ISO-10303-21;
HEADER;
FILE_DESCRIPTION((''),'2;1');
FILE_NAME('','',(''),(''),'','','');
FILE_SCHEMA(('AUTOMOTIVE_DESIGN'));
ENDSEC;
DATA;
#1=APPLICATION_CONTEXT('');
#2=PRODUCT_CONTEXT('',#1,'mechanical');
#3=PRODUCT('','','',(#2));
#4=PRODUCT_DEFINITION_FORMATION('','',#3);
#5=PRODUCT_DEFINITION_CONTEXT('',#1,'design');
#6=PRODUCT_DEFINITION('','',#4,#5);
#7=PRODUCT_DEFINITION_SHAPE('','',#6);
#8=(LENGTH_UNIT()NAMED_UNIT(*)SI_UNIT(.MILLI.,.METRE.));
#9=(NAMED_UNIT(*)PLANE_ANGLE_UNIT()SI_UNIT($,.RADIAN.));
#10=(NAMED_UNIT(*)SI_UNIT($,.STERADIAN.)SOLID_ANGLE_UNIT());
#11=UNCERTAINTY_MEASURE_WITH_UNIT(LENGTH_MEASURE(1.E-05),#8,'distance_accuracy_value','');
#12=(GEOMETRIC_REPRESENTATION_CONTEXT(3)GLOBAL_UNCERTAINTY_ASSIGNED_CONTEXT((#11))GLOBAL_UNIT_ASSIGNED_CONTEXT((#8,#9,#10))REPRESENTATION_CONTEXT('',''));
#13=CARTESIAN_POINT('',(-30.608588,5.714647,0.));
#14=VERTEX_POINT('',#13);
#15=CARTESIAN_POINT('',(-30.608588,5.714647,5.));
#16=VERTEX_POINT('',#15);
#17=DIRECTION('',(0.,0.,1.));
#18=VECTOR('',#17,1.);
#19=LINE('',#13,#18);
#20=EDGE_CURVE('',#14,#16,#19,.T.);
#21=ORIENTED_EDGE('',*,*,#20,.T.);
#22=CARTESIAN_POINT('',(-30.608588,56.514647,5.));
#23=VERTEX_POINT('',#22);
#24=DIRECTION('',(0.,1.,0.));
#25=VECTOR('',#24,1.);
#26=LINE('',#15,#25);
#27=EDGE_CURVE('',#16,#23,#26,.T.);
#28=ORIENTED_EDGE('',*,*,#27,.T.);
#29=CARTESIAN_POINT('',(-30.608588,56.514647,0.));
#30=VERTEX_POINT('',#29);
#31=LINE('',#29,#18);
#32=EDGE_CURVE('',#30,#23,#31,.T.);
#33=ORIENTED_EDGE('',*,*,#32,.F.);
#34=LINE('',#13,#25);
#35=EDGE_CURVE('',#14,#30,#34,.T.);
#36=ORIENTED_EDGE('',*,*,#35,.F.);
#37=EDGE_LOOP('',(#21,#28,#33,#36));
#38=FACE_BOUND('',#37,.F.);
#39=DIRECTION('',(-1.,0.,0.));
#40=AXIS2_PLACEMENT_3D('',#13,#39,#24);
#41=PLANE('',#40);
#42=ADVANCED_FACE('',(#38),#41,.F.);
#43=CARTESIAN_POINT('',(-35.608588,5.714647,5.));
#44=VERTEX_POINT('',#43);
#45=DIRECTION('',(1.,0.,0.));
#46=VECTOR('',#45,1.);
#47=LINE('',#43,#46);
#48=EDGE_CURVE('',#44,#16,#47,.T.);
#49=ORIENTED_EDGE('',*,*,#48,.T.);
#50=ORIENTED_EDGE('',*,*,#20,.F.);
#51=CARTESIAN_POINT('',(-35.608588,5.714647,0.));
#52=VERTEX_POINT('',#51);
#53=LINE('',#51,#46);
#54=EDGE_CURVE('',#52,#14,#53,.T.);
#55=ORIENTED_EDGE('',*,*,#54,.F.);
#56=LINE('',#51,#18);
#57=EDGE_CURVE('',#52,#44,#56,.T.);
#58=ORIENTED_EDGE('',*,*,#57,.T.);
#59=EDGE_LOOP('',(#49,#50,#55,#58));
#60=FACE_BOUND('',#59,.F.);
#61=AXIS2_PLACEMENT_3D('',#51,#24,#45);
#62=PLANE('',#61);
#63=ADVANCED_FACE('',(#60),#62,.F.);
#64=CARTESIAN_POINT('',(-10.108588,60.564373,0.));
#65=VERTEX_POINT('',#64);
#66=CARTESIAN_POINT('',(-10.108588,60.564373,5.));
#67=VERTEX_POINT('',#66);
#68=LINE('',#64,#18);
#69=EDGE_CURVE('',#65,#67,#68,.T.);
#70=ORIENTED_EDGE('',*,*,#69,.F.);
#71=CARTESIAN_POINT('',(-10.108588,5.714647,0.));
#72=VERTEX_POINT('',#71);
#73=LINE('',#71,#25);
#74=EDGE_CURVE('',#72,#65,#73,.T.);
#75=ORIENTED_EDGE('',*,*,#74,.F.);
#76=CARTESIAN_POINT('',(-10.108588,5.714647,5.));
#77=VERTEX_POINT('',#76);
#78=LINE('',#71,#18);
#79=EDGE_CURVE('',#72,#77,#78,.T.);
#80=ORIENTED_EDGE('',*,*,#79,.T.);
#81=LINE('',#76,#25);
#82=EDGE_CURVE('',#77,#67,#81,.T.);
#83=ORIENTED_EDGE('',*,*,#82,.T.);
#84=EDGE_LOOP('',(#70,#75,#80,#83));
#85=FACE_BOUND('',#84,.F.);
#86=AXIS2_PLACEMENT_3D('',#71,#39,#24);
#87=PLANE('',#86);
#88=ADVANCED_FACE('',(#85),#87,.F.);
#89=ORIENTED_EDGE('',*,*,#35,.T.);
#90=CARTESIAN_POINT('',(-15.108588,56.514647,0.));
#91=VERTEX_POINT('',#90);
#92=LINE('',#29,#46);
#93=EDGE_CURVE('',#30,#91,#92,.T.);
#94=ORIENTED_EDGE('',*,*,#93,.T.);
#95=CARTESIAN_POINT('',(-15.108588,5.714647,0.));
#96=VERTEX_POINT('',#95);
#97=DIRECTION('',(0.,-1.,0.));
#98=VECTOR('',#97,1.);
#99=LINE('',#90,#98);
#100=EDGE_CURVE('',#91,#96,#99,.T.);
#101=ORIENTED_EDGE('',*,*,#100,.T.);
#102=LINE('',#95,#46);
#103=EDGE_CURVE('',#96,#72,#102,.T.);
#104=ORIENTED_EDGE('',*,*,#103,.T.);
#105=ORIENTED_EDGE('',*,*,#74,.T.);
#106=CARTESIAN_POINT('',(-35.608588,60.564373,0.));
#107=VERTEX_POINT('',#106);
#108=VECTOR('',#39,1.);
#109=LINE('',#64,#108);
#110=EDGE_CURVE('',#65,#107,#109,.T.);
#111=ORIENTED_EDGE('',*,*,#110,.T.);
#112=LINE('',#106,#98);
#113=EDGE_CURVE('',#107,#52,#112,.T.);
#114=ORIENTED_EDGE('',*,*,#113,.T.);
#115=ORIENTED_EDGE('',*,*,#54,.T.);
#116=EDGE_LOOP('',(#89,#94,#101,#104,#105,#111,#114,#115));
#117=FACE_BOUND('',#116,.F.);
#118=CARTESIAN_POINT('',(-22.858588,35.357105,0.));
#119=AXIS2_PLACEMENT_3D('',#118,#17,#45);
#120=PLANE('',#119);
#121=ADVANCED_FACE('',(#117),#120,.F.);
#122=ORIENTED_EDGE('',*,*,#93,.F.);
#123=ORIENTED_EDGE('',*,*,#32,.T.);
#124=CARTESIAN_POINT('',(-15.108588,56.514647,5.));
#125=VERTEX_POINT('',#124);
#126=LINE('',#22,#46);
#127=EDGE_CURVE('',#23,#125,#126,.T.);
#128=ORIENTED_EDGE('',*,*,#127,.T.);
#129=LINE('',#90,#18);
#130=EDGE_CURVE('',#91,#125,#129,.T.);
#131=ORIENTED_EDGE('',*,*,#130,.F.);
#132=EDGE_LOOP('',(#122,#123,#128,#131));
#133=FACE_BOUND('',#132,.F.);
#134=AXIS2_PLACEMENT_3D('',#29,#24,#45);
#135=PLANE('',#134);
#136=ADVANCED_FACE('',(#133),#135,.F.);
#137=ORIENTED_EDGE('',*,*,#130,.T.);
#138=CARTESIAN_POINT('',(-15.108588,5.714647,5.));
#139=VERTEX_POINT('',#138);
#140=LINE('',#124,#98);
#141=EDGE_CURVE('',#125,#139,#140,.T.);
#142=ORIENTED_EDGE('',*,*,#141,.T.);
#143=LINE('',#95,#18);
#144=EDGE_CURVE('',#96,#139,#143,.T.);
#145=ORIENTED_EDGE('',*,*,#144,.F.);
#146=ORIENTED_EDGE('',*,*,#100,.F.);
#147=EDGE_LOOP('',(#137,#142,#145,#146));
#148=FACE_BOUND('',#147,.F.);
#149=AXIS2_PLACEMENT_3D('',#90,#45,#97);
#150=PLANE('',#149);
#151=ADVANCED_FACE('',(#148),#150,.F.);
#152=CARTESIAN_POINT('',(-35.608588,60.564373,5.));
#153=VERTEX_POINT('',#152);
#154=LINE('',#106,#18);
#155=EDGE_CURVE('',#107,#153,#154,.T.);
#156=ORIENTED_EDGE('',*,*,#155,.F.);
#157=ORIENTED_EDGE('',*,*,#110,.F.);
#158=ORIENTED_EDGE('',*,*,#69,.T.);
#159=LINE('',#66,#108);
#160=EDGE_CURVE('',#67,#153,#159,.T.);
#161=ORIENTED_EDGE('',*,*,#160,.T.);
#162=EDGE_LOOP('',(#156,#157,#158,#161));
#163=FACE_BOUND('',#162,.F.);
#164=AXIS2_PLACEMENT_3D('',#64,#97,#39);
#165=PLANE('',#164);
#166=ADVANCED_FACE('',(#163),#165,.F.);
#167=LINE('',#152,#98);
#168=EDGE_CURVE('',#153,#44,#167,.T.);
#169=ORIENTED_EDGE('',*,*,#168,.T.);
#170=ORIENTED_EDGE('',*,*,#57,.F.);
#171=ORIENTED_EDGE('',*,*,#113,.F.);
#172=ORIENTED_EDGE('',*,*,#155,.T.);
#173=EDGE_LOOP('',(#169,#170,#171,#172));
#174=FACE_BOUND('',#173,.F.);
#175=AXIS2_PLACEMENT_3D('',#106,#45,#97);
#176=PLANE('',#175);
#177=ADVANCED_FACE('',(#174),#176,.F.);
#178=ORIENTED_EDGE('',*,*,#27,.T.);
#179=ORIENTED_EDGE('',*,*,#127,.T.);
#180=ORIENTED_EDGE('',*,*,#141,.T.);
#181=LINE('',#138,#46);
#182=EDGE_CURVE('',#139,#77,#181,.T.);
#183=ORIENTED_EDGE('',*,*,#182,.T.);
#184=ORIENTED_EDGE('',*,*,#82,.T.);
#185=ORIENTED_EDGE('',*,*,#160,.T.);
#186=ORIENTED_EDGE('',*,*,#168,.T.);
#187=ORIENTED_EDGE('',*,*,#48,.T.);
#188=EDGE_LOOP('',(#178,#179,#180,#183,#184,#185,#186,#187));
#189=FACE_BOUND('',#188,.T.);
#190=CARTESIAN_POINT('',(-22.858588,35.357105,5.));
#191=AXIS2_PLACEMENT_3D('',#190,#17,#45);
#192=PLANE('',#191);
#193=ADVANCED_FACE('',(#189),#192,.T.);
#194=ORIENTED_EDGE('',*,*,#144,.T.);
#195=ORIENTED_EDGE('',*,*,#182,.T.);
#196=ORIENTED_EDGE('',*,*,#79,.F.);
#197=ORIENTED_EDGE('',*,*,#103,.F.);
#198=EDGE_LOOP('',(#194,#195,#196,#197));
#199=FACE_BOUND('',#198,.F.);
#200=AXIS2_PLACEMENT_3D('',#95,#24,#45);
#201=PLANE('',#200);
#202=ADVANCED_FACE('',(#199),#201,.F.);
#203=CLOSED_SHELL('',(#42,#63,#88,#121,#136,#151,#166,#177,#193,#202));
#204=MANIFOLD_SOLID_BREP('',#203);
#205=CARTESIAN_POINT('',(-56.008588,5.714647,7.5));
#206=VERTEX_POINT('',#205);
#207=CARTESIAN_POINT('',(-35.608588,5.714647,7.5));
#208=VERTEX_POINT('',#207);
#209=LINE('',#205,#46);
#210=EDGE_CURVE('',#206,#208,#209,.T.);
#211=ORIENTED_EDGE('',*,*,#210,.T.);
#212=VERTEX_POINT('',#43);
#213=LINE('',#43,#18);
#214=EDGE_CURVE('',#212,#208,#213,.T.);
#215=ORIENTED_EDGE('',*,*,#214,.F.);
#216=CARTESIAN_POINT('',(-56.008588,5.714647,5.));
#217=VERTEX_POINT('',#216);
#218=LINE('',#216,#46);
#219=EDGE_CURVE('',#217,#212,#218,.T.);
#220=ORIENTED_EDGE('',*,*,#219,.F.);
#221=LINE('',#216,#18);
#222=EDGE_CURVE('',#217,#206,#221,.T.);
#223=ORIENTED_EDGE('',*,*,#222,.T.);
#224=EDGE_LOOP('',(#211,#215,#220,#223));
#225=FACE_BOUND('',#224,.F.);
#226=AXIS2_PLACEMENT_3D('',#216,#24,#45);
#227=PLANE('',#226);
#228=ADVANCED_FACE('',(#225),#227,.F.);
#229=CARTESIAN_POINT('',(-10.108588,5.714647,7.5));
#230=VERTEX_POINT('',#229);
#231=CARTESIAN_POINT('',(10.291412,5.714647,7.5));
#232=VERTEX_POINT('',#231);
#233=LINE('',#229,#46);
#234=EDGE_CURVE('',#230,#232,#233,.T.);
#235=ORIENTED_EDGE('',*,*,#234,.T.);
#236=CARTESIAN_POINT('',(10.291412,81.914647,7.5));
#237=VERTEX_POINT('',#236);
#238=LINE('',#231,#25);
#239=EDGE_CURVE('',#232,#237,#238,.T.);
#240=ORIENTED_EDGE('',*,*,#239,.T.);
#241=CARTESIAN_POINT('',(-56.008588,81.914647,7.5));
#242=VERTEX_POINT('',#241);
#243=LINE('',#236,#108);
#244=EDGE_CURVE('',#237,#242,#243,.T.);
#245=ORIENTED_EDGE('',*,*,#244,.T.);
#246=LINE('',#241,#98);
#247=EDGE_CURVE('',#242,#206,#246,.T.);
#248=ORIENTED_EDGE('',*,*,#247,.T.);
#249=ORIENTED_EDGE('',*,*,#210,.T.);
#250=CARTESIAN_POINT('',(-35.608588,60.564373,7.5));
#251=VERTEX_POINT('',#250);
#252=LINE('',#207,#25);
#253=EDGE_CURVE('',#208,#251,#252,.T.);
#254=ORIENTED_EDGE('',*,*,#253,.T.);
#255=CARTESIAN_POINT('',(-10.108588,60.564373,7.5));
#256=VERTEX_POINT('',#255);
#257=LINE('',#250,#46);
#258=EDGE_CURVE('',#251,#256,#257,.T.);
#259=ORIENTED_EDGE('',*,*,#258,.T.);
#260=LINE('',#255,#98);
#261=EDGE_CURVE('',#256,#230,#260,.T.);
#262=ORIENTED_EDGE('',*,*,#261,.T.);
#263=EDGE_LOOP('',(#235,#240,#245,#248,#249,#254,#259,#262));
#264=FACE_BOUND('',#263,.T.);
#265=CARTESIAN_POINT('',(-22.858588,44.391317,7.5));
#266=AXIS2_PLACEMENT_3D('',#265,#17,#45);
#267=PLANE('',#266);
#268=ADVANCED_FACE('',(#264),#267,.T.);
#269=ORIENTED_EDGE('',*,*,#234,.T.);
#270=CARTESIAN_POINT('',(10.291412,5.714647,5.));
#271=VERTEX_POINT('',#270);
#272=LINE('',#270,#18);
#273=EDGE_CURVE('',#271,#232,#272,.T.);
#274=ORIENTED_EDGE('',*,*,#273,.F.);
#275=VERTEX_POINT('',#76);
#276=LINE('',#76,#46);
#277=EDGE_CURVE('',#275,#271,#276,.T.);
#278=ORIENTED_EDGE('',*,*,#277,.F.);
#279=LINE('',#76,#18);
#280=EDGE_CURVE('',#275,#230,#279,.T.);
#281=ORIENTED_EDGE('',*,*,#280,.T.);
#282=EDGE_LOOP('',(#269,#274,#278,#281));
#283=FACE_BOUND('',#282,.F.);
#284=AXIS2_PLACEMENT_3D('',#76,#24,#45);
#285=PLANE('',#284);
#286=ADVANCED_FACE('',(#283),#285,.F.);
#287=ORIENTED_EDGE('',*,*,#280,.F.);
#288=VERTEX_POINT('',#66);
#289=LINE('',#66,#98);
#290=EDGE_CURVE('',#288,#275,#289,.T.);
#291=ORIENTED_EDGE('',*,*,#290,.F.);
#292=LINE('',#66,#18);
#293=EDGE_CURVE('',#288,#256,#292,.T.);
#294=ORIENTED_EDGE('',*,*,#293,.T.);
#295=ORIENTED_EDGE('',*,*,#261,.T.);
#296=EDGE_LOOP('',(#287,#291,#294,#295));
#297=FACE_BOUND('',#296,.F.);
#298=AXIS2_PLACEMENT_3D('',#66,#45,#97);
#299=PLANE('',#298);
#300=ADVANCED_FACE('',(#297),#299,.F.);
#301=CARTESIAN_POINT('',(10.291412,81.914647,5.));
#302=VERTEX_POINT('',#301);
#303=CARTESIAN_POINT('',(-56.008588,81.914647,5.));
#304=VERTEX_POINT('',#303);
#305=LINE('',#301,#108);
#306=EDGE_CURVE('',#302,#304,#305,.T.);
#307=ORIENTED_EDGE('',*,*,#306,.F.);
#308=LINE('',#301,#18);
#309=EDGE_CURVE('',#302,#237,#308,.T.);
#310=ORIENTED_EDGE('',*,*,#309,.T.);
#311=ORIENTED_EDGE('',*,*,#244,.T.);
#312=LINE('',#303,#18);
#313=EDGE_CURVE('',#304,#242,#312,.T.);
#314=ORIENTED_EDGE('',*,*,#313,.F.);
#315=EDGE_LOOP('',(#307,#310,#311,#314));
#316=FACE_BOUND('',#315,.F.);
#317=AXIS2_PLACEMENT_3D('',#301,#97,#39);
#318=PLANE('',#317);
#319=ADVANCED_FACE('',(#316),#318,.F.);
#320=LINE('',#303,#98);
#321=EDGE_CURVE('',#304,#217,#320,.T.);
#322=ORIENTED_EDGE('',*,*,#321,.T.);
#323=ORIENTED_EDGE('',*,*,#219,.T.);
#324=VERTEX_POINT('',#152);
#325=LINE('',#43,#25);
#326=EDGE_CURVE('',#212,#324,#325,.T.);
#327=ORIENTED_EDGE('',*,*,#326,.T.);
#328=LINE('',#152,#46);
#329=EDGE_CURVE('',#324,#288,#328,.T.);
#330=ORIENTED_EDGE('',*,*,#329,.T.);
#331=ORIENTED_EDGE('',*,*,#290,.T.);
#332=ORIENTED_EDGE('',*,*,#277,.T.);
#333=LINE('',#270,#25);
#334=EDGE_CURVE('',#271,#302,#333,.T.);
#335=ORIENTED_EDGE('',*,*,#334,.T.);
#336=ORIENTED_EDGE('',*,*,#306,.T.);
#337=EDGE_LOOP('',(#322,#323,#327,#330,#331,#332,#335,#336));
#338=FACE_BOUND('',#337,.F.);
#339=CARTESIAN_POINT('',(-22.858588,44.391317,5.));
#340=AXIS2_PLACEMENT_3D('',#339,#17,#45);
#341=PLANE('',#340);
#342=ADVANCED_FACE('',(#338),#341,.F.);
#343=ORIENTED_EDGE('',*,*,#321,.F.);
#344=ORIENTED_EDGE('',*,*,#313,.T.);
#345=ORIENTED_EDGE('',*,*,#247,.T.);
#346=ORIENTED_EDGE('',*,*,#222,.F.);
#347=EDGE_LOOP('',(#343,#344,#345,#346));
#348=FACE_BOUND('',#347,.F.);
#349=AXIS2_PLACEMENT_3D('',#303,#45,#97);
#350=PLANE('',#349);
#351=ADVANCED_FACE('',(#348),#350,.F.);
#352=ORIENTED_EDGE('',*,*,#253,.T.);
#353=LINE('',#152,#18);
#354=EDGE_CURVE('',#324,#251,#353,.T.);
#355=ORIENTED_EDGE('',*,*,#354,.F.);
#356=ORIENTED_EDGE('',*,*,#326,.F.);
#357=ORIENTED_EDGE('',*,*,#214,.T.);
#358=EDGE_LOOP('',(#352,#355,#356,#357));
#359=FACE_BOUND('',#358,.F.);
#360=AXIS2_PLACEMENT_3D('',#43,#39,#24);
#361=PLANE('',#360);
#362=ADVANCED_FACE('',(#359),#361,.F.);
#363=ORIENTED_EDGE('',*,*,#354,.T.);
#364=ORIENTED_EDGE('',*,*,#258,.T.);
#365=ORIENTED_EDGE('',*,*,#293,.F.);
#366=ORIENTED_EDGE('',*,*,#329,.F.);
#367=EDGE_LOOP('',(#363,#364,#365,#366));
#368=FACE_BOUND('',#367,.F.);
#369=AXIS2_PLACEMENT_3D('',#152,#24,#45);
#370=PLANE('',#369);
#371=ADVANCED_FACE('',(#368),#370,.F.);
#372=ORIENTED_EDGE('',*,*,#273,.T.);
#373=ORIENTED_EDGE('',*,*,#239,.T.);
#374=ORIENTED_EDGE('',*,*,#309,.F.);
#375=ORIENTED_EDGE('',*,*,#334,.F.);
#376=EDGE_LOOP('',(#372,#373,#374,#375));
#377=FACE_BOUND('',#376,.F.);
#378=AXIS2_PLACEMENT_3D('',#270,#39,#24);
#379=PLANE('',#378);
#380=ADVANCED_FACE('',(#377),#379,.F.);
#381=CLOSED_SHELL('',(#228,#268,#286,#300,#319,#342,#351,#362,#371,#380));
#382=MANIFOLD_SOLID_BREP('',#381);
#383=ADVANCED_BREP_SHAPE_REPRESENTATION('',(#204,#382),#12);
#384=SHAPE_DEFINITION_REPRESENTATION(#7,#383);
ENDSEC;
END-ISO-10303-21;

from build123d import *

# Parameters (mm, degrees)
F1_DEPTH = 5
F3_DEPTH = 2.5


with BuildPart() as f1:
    # F0 (on Top) → F1 (new body)
    with BuildSketch(Plane.XY):
        Polygon((-35.608588, 60.564373), (-35.608588, 35.775255), (-35.608588, 5.714647), (-30.608588, 5.714647), (-30.608588, 56.514647), (-15.108588, 56.514647), (-15.108588, 5.714647), (-10.108588, 5.714647), (-10.108588, 35.775255), (-10.108588, 60.564373), align=None)
    extrude(amount=F1_DEPTH)


with BuildPart() as f3:
    # F2 (on face) → F3 (new body)
    with BuildSketch(Plane.XY.offset(5)):
        Polygon((-56.008588, 5.714647), (-35.608588, 5.714647), (-35.608588, 60.564373), (-10.108588, 60.564373), (-10.108588, 5.714647), (10.291412, 5.714647), (10.291412, 73.737219), (10.291412, 81.914647), (-22.858588, 81.914647), (-56.008588, 81.914647), (-56.008588, 73.737219), align=None)
    extrude(amount=F3_DEPTH)


solid = Compound([f1.part, f3.part])
